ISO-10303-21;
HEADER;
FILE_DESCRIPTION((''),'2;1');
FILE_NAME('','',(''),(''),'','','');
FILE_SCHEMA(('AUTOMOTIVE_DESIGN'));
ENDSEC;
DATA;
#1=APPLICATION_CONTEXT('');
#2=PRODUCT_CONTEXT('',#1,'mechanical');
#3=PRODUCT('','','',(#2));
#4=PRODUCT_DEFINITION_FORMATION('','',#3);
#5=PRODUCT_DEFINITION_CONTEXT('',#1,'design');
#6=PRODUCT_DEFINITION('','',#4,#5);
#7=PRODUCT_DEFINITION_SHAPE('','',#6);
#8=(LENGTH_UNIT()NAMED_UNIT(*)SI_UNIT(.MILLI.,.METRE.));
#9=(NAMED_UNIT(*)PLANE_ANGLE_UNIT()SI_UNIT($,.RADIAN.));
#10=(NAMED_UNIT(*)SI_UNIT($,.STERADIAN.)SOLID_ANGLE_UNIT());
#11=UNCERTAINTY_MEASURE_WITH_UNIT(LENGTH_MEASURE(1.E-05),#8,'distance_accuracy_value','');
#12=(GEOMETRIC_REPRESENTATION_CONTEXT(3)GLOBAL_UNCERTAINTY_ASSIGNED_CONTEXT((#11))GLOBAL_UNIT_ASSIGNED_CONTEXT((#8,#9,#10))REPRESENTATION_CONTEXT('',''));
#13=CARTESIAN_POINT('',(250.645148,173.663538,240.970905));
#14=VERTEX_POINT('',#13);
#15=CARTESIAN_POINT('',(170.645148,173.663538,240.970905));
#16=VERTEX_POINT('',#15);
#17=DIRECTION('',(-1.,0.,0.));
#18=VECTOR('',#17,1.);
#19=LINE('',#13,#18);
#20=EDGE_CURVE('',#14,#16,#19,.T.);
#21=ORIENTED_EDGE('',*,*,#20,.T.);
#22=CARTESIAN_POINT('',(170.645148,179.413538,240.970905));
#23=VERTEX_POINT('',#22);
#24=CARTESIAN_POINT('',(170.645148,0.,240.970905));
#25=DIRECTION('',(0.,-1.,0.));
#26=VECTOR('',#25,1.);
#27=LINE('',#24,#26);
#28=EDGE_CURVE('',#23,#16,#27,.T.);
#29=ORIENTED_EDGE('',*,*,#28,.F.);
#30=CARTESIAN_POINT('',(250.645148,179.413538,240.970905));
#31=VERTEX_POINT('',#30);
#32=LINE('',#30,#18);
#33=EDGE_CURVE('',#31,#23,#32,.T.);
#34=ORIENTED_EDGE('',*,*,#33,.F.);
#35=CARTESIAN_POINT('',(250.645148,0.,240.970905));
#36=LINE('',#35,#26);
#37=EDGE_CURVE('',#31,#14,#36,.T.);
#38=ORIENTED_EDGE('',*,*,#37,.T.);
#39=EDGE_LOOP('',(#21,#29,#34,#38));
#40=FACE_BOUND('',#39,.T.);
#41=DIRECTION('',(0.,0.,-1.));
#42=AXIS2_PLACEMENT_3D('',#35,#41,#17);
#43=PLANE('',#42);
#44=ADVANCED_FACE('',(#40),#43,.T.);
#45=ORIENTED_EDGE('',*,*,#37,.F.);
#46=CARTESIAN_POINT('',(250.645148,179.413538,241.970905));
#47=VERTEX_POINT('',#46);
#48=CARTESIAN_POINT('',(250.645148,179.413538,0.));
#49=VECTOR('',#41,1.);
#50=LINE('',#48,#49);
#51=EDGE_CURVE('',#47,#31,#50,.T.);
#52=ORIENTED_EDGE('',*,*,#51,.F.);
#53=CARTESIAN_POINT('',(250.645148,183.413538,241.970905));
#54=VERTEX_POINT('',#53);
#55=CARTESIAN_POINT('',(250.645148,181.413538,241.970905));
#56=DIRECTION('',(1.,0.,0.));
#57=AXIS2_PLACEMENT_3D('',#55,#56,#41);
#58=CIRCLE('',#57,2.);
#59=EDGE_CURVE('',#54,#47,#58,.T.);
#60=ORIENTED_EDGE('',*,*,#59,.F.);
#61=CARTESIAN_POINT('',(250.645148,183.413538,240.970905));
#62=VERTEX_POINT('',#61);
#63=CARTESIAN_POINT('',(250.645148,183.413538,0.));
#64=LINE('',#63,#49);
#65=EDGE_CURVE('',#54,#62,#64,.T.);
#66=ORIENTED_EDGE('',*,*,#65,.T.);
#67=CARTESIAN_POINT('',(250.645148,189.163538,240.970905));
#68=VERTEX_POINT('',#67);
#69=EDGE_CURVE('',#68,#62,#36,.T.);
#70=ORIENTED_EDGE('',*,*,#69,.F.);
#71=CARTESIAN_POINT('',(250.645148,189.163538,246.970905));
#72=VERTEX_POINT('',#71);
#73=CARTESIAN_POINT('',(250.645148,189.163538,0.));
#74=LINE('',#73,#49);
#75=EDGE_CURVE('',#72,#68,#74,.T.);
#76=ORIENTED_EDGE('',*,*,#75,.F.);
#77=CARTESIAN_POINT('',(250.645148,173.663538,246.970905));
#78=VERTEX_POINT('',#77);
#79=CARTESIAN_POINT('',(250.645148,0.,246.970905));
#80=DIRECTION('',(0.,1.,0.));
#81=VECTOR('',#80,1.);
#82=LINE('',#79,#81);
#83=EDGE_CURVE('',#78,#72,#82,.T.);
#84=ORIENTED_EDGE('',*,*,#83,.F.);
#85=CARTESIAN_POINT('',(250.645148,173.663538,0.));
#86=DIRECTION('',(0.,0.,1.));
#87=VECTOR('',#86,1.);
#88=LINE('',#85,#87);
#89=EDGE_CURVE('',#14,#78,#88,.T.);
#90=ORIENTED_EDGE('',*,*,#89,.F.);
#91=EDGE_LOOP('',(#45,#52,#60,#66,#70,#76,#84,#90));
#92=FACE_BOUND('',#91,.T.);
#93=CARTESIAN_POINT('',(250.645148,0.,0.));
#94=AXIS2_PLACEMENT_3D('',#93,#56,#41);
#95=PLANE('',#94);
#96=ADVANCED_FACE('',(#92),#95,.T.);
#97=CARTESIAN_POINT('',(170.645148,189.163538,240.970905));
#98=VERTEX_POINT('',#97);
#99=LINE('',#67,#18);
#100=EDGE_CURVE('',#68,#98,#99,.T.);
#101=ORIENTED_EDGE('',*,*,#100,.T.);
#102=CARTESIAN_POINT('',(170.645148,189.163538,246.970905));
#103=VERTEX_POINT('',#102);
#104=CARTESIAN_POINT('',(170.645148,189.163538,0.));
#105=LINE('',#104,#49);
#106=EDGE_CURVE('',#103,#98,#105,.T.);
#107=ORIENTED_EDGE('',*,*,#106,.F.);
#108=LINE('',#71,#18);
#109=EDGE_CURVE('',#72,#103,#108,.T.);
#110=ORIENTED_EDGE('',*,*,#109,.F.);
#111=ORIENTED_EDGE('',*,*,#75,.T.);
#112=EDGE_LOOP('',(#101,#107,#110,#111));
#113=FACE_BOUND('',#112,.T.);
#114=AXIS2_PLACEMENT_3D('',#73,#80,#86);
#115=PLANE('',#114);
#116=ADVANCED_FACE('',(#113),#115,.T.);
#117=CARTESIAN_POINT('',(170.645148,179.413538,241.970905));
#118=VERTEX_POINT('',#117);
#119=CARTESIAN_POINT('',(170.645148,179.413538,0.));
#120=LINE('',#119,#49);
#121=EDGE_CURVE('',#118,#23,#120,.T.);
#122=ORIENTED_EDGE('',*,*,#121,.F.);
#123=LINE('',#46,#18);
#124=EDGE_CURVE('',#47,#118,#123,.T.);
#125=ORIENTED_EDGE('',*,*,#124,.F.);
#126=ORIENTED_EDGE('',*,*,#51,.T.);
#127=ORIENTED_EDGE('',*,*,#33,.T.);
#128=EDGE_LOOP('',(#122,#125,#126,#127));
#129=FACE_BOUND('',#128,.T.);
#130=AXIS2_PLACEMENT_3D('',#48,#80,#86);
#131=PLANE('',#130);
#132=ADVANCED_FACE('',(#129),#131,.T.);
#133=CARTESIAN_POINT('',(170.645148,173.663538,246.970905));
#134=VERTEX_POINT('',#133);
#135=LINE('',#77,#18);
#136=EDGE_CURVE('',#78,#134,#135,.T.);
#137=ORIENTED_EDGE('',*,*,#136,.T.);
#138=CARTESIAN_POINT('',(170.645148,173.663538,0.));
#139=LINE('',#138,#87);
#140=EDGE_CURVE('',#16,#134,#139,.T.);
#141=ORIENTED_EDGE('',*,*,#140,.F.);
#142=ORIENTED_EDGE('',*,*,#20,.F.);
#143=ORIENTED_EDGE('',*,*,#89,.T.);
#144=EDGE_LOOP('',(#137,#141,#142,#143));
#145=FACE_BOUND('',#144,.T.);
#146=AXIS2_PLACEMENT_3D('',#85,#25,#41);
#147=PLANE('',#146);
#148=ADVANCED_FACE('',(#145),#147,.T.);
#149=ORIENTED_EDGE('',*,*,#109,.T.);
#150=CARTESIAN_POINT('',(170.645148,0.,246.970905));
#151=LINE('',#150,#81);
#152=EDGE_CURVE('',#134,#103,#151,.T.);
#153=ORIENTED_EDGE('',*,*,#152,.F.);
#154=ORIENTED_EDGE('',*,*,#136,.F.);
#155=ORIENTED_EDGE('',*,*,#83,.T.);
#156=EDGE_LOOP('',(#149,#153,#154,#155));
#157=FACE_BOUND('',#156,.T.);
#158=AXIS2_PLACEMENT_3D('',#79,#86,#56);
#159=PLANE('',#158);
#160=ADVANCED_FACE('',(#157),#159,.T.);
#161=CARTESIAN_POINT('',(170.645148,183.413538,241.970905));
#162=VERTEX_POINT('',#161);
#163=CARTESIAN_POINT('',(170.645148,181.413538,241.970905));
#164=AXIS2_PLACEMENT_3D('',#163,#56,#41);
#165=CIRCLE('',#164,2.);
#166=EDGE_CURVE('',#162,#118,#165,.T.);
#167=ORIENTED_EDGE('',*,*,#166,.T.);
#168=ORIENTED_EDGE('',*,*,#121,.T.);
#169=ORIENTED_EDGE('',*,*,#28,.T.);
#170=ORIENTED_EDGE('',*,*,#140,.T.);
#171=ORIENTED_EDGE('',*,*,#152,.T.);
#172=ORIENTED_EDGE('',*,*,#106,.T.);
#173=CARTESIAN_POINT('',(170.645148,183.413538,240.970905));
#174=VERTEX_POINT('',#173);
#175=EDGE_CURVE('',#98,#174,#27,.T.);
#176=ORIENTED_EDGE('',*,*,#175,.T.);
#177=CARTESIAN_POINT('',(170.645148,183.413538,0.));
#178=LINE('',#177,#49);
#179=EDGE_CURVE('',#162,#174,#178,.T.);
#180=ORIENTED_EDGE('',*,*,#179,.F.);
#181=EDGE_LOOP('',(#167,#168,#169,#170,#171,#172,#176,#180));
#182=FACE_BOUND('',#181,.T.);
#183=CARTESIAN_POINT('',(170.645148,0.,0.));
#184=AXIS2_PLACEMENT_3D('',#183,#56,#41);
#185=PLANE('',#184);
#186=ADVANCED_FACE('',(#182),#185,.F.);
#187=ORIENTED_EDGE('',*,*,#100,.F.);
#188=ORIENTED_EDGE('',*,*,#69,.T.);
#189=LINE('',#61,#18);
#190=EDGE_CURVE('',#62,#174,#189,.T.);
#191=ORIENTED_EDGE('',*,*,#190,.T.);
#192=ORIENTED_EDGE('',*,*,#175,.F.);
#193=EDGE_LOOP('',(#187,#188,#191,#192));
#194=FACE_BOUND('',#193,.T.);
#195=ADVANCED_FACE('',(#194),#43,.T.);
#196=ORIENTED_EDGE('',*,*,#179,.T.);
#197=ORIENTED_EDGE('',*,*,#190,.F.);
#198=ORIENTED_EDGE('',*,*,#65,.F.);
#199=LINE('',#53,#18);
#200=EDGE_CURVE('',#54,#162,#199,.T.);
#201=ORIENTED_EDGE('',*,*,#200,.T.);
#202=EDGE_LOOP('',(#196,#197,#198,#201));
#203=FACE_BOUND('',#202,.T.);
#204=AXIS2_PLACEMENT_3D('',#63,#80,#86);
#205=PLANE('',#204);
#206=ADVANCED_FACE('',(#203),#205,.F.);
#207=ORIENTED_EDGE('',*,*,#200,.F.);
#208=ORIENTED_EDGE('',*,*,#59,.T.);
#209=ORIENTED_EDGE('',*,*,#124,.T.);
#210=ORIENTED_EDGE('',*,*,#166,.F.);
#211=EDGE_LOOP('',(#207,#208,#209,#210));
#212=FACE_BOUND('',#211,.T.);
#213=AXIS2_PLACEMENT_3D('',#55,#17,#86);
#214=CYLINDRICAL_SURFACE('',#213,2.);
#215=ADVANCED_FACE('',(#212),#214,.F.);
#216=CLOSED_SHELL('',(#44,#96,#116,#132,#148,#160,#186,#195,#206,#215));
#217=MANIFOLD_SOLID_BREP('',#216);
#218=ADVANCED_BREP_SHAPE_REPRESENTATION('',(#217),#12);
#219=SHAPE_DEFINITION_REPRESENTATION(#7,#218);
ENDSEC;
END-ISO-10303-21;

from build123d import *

# Parameters (mm, degrees)
BOSS_EXTRUDE1_DEPTH      = 60
BOSS_EXTRUDE1_DEPTH_BACK = 20


with BuildPart() as part:
    # Sketch1 → Boss-Extrude1 (new, two sides: drawn at the far end of the back side and taken through both)
    with BuildSketch(Plane(origin=(190.645148, 0, 0), x_dir=(0, 0, -1), z_dir=(1, 0, 0)).offset(-BOSS_EXTRUDE1_DEPTH_BACK)):
        with BuildLine():
            Line((-240.970904961, 189.163538159), (-246.970904961, 189.163538159))
            Line((-246.970904961, 189.163538159), (-246.970904961, 173.663538158))
            Line((-246.970904961, 173.663538158), (-240.970904961, 173.663538158))
            Line((-240.970904961, 173.663538158), (-240.970904961, 179.413538158))
            Line((-240.970904961, 179.413538158), (-241.970904961, 179.413538158))
            ThreePointArc((-241.970904961, 179.413538158), (-243.970904961, 181.413538158), (-241.970904961, 183.413538158))
            Line((-241.970904961, 183.413538158), (-240.970904961, 183.413538158))
            Line((-240.970904961, 183.413538158), (-240.970904961, 189.163538159))
        make_face()
    extrude(amount=BOSS_EXTRUDE1_DEPTH + BOSS_EXTRUDE1_DEPTH_BACK)


solid = part.part
